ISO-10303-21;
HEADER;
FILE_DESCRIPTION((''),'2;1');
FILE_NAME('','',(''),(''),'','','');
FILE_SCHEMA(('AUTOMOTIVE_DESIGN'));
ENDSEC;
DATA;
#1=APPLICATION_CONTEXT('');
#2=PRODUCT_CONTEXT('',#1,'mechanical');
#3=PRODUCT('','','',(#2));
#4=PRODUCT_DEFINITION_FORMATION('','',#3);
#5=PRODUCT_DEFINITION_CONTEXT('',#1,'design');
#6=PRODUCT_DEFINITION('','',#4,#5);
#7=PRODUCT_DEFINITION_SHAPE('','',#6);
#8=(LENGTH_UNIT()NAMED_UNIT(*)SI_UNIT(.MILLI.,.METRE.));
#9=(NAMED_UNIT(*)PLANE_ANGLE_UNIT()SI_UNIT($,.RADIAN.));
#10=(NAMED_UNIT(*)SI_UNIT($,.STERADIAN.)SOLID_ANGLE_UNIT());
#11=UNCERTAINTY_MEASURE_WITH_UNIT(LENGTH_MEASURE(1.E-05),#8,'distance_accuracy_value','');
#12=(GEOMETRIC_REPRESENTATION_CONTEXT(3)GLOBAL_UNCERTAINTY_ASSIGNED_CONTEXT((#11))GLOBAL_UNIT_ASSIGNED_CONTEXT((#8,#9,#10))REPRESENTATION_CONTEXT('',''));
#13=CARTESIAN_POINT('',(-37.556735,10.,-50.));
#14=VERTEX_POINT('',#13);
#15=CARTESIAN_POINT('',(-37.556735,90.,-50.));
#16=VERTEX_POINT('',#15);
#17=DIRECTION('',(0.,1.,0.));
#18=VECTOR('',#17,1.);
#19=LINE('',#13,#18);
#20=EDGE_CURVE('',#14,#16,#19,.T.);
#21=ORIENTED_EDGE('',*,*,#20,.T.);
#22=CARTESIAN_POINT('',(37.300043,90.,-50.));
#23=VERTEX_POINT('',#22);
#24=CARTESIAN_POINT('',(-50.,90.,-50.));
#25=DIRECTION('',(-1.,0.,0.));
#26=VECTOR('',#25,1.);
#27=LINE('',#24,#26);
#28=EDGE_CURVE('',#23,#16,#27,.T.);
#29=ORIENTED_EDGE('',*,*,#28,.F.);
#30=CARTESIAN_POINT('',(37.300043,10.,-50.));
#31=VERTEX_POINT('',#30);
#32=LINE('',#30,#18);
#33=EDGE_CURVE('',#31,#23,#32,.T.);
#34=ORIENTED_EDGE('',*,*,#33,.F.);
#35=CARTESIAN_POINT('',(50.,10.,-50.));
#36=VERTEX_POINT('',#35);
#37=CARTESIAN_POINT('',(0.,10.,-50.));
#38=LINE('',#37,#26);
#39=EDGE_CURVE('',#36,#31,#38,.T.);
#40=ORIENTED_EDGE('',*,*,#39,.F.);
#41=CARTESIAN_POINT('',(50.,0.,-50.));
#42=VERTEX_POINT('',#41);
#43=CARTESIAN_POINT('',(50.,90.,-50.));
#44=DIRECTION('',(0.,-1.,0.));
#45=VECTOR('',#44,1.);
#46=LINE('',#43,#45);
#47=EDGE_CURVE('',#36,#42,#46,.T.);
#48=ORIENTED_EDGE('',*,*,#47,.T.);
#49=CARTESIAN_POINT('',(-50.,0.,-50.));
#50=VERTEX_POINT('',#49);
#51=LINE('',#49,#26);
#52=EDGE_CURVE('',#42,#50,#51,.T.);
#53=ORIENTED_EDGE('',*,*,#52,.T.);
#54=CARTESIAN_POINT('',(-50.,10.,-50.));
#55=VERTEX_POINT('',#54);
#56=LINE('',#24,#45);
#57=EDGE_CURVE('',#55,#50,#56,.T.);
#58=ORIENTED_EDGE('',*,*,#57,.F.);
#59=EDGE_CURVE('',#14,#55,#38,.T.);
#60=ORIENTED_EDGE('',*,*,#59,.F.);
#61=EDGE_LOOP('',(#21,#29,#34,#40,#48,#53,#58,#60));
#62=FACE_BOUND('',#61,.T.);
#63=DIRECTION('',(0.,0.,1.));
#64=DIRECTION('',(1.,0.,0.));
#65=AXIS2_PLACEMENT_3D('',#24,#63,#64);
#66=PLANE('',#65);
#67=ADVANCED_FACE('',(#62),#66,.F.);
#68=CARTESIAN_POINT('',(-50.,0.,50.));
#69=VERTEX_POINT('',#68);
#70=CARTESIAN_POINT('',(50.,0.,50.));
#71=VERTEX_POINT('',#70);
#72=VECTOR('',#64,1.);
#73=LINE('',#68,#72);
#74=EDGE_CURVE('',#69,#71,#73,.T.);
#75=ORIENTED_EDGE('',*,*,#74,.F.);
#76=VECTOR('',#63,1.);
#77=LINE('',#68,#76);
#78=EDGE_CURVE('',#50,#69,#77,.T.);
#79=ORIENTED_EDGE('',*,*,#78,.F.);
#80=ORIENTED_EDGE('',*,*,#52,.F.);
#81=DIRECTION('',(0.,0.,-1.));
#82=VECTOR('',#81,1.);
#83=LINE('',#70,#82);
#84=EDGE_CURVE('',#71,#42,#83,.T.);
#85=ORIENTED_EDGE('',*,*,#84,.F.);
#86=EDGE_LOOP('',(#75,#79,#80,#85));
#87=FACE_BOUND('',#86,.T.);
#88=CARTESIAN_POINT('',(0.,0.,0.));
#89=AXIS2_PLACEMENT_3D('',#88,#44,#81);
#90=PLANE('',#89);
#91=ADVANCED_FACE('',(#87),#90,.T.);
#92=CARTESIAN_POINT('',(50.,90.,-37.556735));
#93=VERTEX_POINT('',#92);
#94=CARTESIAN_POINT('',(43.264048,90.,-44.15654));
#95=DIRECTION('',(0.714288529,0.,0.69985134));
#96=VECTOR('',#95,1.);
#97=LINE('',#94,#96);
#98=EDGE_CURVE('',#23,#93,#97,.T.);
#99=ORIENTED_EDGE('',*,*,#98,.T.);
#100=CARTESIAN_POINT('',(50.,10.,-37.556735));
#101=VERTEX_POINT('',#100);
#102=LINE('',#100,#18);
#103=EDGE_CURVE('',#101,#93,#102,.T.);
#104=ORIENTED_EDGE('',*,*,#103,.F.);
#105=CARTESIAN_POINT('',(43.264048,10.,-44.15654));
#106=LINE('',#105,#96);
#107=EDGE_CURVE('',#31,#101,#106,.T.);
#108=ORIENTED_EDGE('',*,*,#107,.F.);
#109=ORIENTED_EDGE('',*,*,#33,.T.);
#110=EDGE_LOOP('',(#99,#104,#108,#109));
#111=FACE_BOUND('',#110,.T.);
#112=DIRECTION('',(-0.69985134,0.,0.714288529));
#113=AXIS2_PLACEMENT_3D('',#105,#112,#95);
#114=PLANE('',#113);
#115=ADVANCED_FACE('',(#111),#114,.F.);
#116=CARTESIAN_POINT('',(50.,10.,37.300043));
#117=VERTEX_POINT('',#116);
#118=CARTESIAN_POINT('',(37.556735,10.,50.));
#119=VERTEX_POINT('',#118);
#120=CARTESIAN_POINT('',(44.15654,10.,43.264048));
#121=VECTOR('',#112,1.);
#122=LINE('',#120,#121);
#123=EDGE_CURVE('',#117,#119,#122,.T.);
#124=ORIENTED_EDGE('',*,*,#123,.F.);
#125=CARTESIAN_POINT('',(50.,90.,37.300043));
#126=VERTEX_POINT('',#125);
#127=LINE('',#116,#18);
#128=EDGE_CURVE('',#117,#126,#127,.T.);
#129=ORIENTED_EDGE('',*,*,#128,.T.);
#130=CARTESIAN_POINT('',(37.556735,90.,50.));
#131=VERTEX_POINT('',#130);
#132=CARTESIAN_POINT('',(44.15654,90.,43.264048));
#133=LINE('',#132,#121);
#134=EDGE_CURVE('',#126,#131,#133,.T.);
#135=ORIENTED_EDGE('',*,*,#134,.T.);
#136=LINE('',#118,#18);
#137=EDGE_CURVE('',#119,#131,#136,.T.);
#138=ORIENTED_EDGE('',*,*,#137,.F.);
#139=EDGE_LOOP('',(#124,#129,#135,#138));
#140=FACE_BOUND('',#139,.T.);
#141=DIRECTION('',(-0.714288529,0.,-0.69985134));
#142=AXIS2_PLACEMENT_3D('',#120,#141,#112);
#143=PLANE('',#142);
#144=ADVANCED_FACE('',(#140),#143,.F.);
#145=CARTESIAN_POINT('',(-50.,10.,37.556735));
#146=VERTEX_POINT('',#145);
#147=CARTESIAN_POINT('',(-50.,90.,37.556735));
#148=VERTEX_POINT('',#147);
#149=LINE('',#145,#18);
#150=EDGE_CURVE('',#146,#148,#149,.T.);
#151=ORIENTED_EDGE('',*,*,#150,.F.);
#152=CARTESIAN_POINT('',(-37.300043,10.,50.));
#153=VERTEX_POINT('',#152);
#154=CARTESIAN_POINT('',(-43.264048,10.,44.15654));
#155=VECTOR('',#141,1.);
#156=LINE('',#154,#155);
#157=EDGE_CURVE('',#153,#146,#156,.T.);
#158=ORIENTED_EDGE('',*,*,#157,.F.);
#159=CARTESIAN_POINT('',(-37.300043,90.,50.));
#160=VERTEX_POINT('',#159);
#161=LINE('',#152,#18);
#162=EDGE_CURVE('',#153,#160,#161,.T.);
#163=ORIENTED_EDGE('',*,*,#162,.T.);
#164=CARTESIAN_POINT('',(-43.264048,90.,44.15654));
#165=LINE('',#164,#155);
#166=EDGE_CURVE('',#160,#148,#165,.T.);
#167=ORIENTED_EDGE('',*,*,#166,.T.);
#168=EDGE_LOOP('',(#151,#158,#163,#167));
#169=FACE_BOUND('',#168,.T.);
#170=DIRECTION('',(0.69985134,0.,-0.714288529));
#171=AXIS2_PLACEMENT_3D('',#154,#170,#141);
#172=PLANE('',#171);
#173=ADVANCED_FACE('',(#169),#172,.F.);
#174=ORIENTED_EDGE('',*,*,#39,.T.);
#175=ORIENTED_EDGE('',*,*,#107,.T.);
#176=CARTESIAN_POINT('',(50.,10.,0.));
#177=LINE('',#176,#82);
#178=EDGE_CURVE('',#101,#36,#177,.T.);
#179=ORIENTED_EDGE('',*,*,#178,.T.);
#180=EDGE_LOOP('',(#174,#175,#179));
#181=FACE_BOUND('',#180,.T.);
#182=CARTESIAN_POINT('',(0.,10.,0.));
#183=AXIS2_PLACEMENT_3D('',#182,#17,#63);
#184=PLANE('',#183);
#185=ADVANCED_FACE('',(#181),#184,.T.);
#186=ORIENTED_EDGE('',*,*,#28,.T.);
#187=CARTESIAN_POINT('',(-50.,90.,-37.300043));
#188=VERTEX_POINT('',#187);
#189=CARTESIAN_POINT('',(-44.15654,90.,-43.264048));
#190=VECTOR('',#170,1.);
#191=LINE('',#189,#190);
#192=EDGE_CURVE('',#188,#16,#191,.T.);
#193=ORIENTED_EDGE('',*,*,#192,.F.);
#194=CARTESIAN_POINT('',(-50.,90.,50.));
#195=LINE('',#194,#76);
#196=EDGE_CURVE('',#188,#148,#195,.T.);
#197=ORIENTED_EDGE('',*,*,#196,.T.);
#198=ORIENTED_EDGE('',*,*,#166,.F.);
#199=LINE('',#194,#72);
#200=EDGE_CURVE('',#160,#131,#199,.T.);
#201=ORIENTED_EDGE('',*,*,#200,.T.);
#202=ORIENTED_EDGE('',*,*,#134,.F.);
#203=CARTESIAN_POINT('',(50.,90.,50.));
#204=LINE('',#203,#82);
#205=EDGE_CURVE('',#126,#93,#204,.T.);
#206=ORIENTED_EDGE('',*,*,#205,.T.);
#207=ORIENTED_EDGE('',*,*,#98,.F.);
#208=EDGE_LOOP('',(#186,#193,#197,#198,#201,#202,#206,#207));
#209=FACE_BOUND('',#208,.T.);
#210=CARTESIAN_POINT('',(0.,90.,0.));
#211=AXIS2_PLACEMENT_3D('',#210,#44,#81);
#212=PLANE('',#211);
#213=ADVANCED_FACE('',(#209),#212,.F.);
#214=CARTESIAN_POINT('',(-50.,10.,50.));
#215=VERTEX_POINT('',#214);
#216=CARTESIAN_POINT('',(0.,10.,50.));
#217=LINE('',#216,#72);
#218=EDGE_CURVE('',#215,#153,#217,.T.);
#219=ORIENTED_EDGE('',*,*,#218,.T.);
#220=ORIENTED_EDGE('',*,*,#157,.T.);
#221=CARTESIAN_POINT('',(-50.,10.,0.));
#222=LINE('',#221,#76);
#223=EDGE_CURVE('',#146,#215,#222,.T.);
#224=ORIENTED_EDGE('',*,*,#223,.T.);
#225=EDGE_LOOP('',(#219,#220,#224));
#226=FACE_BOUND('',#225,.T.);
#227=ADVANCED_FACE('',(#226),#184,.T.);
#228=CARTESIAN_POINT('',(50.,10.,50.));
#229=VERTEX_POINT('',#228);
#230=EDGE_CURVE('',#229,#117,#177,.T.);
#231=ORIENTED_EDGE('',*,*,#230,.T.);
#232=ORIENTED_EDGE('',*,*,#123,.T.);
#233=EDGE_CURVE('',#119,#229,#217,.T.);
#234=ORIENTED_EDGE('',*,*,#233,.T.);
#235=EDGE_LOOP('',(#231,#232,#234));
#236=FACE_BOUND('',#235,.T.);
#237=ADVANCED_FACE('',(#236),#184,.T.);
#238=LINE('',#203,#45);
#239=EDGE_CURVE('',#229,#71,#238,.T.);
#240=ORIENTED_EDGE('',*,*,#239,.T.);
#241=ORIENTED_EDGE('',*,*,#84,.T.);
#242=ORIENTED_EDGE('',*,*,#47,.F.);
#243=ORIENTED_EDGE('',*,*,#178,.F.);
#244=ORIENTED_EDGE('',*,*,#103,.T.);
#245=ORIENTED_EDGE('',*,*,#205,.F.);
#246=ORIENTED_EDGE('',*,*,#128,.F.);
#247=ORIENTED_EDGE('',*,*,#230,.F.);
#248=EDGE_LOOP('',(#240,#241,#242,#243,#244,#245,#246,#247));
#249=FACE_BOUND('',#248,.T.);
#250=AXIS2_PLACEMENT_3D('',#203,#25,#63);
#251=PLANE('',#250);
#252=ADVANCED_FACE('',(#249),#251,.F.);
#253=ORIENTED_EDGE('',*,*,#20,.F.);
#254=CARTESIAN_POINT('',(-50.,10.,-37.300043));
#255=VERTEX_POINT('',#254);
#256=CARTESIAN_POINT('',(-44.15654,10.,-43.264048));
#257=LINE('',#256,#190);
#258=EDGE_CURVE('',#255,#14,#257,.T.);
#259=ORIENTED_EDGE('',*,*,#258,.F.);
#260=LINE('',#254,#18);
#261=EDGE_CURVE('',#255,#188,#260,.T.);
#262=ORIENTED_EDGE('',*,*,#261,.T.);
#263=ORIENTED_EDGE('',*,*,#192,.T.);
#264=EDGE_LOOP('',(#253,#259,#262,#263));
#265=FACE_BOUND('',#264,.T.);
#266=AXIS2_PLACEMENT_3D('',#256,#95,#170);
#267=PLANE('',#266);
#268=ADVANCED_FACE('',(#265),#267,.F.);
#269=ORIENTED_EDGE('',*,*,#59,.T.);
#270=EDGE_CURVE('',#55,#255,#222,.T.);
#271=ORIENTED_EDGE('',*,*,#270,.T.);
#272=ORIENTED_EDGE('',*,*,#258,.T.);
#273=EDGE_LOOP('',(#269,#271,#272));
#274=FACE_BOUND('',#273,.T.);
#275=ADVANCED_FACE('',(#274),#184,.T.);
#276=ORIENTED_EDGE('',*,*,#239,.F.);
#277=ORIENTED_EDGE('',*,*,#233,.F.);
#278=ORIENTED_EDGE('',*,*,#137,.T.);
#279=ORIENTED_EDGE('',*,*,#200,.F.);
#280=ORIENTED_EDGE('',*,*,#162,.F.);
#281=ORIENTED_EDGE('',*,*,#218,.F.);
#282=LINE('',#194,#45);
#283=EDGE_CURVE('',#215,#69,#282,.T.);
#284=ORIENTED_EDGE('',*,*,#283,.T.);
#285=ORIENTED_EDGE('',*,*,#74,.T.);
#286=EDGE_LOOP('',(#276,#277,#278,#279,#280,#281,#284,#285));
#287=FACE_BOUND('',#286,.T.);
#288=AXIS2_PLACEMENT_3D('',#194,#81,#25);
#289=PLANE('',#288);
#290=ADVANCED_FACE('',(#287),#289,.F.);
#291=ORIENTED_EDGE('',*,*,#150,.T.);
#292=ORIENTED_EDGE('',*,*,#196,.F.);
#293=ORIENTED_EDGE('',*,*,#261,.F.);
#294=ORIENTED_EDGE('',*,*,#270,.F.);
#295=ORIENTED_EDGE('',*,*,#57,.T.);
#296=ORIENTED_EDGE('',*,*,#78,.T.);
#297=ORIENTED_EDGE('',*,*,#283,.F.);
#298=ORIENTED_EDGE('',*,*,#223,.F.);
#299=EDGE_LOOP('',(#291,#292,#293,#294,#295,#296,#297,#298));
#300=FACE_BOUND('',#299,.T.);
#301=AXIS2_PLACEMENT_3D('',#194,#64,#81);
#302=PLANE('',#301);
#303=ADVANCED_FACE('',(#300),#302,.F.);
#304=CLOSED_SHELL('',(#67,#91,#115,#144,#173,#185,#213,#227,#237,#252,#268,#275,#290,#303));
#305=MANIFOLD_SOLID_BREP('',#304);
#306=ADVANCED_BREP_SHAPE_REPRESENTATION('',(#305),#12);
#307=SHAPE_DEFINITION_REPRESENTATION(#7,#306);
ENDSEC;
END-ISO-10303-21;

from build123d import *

# Parameters (mm, degrees)
SKETCH1_W           = 100
SKETCH1_H           = 100
BOSS_EXTRUDE1_DEPTH = 90
CUT_EXTRUDE1_DEPTH  = 80


with BuildPart() as part:
    # Sketch1 → Boss-Extrude1 (new body)
    with BuildSketch(Plane(origin=(0, 0, 0), x_dir=(1, 0, 0), z_dir=(0, 1, 0))):
        Rectangle(SKETCH1_W, SKETCH1_H)
    extrude(amount=BOSS_EXTRUDE1_DEPTH)

    # Sketch2 → Cut-Extrude1 (cut)
    with BuildSketch(Plane(origin=(0, 90, 0), x_dir=(1, 0, 0), z_dir=(0, 1, 0))):
        Polygon((-50, 50), (-50, 37.300043471), (-37.556734796, 50), align=None)
        Polygon((-37.300043471, -50), (-50, -37.556734796), (-50, -50), align=None)
        Polygon((50, -37.300043471), (37.556734796, -50), (50, -50), align=None)
        Polygon((50, 50), (37.300043471, 50), (50, 37.556734796), align=None)
    extrude(amount=-CUT_EXTRUDE1_DEPTH, mode=Mode.SUBTRACT)


solid = part.part
